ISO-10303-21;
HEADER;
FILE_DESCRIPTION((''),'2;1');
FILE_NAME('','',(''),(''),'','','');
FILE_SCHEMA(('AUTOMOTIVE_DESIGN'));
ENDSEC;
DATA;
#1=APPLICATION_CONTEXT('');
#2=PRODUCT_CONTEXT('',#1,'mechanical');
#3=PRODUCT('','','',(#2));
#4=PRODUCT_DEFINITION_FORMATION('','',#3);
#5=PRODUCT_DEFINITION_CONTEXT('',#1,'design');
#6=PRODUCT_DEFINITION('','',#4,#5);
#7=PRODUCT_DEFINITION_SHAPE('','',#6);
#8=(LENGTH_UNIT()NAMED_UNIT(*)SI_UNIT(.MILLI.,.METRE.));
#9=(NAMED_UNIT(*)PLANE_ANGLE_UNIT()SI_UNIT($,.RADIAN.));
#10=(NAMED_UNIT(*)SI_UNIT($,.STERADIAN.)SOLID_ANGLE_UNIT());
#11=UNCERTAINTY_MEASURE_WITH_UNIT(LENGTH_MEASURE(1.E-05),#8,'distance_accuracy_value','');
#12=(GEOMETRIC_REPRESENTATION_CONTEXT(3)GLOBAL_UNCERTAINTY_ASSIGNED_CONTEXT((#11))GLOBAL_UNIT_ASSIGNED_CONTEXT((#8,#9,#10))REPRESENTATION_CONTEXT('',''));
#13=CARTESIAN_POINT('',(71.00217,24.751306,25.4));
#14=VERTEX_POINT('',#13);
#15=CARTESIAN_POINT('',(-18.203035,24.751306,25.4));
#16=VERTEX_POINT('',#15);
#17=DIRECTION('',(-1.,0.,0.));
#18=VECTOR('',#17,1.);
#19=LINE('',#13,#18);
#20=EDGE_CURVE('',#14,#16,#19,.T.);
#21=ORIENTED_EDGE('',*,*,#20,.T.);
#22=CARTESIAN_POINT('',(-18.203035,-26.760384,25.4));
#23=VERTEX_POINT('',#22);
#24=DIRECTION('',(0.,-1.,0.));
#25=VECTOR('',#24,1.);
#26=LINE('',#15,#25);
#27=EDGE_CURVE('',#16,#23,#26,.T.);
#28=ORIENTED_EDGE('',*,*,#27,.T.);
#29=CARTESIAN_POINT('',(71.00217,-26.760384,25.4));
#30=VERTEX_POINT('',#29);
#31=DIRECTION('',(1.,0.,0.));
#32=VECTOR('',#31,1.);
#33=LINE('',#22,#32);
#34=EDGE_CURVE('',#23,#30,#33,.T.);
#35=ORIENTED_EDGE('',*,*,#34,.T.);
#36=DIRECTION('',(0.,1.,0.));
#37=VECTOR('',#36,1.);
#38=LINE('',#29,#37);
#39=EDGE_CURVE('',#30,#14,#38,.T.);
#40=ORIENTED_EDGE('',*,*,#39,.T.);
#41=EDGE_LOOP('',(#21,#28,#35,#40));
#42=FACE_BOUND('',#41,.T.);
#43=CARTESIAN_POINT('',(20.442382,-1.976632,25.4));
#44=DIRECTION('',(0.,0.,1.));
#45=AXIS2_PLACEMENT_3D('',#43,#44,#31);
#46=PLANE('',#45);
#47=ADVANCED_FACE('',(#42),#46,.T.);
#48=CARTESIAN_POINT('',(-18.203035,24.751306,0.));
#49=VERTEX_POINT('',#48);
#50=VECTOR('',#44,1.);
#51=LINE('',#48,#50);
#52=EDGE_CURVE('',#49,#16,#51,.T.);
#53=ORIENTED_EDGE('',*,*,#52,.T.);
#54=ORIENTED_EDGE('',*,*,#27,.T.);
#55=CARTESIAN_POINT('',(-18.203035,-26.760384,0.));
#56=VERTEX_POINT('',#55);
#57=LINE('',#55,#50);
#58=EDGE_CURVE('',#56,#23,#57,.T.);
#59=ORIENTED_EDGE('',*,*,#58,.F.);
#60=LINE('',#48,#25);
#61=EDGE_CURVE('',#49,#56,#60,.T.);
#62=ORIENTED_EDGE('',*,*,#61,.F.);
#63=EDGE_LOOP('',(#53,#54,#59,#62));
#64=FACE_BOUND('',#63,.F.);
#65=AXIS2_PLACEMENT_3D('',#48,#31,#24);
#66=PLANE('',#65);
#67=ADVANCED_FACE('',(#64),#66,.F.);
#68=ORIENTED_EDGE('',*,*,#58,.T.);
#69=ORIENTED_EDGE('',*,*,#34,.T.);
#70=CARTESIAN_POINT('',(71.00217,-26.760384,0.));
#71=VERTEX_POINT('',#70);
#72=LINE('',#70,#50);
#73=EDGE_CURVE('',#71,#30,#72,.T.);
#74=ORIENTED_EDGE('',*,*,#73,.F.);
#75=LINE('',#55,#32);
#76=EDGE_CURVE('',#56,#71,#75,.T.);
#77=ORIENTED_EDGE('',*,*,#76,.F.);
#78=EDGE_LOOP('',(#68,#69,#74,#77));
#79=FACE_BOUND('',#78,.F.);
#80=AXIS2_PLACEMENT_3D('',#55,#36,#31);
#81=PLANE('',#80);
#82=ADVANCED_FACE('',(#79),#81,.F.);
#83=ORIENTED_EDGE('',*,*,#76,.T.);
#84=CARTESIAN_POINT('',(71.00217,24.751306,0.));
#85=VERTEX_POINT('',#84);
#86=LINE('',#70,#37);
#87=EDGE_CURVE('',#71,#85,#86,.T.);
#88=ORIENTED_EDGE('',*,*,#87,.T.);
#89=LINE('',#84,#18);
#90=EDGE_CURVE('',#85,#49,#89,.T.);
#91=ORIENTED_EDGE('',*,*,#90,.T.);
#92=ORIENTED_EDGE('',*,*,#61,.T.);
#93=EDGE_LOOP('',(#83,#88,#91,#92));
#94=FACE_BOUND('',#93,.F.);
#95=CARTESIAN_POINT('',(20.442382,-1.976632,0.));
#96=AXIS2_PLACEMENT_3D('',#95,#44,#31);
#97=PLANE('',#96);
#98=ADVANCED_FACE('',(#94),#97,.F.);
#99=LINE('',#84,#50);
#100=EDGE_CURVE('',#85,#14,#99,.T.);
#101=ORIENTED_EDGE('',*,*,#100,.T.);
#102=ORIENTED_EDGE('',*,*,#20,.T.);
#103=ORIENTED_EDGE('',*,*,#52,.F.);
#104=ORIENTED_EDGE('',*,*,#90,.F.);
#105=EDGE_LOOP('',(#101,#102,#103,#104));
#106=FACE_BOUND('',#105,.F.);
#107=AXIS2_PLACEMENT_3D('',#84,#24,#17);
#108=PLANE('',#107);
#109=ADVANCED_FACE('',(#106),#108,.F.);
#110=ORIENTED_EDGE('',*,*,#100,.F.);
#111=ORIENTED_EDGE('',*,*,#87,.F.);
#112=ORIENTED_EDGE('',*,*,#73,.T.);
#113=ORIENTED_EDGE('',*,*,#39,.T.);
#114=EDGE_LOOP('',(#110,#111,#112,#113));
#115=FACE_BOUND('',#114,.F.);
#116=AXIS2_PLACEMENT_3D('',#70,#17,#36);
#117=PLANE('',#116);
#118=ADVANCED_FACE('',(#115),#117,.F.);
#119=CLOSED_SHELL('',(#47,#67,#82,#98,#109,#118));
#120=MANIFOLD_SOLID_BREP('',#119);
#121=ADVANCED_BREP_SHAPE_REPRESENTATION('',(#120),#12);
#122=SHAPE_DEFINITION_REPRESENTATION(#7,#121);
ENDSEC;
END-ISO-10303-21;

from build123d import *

# Parameters (mm, degrees)
F0_W     = 77.2908329964
F0_H     = 27.1624177694
F1_DEPTH = 25.4


with BuildPart() as f1:
    # F0 (on Top) → F1 (new body)
    with BuildSketch(Plane.XY):
        with Locations((20.4423815012, -1.9766315818)):
            Rectangle(F0_W, F0_H)
        Polygon((-18.203034997, -26.7603844404), (71.0021704435, -26.7603844404), (71.0021704435, 24.7513055801), (-18.203034997, 24.7513055801), (-18.203034997, 11.6045773029), (59.0877979994, 11.6045773029), (59.0877979994, -15.5578404665), (-18.203034997, -15.5578404665), align=None)
    extrude(amount=F1_DEPTH)


solid = f1.part
